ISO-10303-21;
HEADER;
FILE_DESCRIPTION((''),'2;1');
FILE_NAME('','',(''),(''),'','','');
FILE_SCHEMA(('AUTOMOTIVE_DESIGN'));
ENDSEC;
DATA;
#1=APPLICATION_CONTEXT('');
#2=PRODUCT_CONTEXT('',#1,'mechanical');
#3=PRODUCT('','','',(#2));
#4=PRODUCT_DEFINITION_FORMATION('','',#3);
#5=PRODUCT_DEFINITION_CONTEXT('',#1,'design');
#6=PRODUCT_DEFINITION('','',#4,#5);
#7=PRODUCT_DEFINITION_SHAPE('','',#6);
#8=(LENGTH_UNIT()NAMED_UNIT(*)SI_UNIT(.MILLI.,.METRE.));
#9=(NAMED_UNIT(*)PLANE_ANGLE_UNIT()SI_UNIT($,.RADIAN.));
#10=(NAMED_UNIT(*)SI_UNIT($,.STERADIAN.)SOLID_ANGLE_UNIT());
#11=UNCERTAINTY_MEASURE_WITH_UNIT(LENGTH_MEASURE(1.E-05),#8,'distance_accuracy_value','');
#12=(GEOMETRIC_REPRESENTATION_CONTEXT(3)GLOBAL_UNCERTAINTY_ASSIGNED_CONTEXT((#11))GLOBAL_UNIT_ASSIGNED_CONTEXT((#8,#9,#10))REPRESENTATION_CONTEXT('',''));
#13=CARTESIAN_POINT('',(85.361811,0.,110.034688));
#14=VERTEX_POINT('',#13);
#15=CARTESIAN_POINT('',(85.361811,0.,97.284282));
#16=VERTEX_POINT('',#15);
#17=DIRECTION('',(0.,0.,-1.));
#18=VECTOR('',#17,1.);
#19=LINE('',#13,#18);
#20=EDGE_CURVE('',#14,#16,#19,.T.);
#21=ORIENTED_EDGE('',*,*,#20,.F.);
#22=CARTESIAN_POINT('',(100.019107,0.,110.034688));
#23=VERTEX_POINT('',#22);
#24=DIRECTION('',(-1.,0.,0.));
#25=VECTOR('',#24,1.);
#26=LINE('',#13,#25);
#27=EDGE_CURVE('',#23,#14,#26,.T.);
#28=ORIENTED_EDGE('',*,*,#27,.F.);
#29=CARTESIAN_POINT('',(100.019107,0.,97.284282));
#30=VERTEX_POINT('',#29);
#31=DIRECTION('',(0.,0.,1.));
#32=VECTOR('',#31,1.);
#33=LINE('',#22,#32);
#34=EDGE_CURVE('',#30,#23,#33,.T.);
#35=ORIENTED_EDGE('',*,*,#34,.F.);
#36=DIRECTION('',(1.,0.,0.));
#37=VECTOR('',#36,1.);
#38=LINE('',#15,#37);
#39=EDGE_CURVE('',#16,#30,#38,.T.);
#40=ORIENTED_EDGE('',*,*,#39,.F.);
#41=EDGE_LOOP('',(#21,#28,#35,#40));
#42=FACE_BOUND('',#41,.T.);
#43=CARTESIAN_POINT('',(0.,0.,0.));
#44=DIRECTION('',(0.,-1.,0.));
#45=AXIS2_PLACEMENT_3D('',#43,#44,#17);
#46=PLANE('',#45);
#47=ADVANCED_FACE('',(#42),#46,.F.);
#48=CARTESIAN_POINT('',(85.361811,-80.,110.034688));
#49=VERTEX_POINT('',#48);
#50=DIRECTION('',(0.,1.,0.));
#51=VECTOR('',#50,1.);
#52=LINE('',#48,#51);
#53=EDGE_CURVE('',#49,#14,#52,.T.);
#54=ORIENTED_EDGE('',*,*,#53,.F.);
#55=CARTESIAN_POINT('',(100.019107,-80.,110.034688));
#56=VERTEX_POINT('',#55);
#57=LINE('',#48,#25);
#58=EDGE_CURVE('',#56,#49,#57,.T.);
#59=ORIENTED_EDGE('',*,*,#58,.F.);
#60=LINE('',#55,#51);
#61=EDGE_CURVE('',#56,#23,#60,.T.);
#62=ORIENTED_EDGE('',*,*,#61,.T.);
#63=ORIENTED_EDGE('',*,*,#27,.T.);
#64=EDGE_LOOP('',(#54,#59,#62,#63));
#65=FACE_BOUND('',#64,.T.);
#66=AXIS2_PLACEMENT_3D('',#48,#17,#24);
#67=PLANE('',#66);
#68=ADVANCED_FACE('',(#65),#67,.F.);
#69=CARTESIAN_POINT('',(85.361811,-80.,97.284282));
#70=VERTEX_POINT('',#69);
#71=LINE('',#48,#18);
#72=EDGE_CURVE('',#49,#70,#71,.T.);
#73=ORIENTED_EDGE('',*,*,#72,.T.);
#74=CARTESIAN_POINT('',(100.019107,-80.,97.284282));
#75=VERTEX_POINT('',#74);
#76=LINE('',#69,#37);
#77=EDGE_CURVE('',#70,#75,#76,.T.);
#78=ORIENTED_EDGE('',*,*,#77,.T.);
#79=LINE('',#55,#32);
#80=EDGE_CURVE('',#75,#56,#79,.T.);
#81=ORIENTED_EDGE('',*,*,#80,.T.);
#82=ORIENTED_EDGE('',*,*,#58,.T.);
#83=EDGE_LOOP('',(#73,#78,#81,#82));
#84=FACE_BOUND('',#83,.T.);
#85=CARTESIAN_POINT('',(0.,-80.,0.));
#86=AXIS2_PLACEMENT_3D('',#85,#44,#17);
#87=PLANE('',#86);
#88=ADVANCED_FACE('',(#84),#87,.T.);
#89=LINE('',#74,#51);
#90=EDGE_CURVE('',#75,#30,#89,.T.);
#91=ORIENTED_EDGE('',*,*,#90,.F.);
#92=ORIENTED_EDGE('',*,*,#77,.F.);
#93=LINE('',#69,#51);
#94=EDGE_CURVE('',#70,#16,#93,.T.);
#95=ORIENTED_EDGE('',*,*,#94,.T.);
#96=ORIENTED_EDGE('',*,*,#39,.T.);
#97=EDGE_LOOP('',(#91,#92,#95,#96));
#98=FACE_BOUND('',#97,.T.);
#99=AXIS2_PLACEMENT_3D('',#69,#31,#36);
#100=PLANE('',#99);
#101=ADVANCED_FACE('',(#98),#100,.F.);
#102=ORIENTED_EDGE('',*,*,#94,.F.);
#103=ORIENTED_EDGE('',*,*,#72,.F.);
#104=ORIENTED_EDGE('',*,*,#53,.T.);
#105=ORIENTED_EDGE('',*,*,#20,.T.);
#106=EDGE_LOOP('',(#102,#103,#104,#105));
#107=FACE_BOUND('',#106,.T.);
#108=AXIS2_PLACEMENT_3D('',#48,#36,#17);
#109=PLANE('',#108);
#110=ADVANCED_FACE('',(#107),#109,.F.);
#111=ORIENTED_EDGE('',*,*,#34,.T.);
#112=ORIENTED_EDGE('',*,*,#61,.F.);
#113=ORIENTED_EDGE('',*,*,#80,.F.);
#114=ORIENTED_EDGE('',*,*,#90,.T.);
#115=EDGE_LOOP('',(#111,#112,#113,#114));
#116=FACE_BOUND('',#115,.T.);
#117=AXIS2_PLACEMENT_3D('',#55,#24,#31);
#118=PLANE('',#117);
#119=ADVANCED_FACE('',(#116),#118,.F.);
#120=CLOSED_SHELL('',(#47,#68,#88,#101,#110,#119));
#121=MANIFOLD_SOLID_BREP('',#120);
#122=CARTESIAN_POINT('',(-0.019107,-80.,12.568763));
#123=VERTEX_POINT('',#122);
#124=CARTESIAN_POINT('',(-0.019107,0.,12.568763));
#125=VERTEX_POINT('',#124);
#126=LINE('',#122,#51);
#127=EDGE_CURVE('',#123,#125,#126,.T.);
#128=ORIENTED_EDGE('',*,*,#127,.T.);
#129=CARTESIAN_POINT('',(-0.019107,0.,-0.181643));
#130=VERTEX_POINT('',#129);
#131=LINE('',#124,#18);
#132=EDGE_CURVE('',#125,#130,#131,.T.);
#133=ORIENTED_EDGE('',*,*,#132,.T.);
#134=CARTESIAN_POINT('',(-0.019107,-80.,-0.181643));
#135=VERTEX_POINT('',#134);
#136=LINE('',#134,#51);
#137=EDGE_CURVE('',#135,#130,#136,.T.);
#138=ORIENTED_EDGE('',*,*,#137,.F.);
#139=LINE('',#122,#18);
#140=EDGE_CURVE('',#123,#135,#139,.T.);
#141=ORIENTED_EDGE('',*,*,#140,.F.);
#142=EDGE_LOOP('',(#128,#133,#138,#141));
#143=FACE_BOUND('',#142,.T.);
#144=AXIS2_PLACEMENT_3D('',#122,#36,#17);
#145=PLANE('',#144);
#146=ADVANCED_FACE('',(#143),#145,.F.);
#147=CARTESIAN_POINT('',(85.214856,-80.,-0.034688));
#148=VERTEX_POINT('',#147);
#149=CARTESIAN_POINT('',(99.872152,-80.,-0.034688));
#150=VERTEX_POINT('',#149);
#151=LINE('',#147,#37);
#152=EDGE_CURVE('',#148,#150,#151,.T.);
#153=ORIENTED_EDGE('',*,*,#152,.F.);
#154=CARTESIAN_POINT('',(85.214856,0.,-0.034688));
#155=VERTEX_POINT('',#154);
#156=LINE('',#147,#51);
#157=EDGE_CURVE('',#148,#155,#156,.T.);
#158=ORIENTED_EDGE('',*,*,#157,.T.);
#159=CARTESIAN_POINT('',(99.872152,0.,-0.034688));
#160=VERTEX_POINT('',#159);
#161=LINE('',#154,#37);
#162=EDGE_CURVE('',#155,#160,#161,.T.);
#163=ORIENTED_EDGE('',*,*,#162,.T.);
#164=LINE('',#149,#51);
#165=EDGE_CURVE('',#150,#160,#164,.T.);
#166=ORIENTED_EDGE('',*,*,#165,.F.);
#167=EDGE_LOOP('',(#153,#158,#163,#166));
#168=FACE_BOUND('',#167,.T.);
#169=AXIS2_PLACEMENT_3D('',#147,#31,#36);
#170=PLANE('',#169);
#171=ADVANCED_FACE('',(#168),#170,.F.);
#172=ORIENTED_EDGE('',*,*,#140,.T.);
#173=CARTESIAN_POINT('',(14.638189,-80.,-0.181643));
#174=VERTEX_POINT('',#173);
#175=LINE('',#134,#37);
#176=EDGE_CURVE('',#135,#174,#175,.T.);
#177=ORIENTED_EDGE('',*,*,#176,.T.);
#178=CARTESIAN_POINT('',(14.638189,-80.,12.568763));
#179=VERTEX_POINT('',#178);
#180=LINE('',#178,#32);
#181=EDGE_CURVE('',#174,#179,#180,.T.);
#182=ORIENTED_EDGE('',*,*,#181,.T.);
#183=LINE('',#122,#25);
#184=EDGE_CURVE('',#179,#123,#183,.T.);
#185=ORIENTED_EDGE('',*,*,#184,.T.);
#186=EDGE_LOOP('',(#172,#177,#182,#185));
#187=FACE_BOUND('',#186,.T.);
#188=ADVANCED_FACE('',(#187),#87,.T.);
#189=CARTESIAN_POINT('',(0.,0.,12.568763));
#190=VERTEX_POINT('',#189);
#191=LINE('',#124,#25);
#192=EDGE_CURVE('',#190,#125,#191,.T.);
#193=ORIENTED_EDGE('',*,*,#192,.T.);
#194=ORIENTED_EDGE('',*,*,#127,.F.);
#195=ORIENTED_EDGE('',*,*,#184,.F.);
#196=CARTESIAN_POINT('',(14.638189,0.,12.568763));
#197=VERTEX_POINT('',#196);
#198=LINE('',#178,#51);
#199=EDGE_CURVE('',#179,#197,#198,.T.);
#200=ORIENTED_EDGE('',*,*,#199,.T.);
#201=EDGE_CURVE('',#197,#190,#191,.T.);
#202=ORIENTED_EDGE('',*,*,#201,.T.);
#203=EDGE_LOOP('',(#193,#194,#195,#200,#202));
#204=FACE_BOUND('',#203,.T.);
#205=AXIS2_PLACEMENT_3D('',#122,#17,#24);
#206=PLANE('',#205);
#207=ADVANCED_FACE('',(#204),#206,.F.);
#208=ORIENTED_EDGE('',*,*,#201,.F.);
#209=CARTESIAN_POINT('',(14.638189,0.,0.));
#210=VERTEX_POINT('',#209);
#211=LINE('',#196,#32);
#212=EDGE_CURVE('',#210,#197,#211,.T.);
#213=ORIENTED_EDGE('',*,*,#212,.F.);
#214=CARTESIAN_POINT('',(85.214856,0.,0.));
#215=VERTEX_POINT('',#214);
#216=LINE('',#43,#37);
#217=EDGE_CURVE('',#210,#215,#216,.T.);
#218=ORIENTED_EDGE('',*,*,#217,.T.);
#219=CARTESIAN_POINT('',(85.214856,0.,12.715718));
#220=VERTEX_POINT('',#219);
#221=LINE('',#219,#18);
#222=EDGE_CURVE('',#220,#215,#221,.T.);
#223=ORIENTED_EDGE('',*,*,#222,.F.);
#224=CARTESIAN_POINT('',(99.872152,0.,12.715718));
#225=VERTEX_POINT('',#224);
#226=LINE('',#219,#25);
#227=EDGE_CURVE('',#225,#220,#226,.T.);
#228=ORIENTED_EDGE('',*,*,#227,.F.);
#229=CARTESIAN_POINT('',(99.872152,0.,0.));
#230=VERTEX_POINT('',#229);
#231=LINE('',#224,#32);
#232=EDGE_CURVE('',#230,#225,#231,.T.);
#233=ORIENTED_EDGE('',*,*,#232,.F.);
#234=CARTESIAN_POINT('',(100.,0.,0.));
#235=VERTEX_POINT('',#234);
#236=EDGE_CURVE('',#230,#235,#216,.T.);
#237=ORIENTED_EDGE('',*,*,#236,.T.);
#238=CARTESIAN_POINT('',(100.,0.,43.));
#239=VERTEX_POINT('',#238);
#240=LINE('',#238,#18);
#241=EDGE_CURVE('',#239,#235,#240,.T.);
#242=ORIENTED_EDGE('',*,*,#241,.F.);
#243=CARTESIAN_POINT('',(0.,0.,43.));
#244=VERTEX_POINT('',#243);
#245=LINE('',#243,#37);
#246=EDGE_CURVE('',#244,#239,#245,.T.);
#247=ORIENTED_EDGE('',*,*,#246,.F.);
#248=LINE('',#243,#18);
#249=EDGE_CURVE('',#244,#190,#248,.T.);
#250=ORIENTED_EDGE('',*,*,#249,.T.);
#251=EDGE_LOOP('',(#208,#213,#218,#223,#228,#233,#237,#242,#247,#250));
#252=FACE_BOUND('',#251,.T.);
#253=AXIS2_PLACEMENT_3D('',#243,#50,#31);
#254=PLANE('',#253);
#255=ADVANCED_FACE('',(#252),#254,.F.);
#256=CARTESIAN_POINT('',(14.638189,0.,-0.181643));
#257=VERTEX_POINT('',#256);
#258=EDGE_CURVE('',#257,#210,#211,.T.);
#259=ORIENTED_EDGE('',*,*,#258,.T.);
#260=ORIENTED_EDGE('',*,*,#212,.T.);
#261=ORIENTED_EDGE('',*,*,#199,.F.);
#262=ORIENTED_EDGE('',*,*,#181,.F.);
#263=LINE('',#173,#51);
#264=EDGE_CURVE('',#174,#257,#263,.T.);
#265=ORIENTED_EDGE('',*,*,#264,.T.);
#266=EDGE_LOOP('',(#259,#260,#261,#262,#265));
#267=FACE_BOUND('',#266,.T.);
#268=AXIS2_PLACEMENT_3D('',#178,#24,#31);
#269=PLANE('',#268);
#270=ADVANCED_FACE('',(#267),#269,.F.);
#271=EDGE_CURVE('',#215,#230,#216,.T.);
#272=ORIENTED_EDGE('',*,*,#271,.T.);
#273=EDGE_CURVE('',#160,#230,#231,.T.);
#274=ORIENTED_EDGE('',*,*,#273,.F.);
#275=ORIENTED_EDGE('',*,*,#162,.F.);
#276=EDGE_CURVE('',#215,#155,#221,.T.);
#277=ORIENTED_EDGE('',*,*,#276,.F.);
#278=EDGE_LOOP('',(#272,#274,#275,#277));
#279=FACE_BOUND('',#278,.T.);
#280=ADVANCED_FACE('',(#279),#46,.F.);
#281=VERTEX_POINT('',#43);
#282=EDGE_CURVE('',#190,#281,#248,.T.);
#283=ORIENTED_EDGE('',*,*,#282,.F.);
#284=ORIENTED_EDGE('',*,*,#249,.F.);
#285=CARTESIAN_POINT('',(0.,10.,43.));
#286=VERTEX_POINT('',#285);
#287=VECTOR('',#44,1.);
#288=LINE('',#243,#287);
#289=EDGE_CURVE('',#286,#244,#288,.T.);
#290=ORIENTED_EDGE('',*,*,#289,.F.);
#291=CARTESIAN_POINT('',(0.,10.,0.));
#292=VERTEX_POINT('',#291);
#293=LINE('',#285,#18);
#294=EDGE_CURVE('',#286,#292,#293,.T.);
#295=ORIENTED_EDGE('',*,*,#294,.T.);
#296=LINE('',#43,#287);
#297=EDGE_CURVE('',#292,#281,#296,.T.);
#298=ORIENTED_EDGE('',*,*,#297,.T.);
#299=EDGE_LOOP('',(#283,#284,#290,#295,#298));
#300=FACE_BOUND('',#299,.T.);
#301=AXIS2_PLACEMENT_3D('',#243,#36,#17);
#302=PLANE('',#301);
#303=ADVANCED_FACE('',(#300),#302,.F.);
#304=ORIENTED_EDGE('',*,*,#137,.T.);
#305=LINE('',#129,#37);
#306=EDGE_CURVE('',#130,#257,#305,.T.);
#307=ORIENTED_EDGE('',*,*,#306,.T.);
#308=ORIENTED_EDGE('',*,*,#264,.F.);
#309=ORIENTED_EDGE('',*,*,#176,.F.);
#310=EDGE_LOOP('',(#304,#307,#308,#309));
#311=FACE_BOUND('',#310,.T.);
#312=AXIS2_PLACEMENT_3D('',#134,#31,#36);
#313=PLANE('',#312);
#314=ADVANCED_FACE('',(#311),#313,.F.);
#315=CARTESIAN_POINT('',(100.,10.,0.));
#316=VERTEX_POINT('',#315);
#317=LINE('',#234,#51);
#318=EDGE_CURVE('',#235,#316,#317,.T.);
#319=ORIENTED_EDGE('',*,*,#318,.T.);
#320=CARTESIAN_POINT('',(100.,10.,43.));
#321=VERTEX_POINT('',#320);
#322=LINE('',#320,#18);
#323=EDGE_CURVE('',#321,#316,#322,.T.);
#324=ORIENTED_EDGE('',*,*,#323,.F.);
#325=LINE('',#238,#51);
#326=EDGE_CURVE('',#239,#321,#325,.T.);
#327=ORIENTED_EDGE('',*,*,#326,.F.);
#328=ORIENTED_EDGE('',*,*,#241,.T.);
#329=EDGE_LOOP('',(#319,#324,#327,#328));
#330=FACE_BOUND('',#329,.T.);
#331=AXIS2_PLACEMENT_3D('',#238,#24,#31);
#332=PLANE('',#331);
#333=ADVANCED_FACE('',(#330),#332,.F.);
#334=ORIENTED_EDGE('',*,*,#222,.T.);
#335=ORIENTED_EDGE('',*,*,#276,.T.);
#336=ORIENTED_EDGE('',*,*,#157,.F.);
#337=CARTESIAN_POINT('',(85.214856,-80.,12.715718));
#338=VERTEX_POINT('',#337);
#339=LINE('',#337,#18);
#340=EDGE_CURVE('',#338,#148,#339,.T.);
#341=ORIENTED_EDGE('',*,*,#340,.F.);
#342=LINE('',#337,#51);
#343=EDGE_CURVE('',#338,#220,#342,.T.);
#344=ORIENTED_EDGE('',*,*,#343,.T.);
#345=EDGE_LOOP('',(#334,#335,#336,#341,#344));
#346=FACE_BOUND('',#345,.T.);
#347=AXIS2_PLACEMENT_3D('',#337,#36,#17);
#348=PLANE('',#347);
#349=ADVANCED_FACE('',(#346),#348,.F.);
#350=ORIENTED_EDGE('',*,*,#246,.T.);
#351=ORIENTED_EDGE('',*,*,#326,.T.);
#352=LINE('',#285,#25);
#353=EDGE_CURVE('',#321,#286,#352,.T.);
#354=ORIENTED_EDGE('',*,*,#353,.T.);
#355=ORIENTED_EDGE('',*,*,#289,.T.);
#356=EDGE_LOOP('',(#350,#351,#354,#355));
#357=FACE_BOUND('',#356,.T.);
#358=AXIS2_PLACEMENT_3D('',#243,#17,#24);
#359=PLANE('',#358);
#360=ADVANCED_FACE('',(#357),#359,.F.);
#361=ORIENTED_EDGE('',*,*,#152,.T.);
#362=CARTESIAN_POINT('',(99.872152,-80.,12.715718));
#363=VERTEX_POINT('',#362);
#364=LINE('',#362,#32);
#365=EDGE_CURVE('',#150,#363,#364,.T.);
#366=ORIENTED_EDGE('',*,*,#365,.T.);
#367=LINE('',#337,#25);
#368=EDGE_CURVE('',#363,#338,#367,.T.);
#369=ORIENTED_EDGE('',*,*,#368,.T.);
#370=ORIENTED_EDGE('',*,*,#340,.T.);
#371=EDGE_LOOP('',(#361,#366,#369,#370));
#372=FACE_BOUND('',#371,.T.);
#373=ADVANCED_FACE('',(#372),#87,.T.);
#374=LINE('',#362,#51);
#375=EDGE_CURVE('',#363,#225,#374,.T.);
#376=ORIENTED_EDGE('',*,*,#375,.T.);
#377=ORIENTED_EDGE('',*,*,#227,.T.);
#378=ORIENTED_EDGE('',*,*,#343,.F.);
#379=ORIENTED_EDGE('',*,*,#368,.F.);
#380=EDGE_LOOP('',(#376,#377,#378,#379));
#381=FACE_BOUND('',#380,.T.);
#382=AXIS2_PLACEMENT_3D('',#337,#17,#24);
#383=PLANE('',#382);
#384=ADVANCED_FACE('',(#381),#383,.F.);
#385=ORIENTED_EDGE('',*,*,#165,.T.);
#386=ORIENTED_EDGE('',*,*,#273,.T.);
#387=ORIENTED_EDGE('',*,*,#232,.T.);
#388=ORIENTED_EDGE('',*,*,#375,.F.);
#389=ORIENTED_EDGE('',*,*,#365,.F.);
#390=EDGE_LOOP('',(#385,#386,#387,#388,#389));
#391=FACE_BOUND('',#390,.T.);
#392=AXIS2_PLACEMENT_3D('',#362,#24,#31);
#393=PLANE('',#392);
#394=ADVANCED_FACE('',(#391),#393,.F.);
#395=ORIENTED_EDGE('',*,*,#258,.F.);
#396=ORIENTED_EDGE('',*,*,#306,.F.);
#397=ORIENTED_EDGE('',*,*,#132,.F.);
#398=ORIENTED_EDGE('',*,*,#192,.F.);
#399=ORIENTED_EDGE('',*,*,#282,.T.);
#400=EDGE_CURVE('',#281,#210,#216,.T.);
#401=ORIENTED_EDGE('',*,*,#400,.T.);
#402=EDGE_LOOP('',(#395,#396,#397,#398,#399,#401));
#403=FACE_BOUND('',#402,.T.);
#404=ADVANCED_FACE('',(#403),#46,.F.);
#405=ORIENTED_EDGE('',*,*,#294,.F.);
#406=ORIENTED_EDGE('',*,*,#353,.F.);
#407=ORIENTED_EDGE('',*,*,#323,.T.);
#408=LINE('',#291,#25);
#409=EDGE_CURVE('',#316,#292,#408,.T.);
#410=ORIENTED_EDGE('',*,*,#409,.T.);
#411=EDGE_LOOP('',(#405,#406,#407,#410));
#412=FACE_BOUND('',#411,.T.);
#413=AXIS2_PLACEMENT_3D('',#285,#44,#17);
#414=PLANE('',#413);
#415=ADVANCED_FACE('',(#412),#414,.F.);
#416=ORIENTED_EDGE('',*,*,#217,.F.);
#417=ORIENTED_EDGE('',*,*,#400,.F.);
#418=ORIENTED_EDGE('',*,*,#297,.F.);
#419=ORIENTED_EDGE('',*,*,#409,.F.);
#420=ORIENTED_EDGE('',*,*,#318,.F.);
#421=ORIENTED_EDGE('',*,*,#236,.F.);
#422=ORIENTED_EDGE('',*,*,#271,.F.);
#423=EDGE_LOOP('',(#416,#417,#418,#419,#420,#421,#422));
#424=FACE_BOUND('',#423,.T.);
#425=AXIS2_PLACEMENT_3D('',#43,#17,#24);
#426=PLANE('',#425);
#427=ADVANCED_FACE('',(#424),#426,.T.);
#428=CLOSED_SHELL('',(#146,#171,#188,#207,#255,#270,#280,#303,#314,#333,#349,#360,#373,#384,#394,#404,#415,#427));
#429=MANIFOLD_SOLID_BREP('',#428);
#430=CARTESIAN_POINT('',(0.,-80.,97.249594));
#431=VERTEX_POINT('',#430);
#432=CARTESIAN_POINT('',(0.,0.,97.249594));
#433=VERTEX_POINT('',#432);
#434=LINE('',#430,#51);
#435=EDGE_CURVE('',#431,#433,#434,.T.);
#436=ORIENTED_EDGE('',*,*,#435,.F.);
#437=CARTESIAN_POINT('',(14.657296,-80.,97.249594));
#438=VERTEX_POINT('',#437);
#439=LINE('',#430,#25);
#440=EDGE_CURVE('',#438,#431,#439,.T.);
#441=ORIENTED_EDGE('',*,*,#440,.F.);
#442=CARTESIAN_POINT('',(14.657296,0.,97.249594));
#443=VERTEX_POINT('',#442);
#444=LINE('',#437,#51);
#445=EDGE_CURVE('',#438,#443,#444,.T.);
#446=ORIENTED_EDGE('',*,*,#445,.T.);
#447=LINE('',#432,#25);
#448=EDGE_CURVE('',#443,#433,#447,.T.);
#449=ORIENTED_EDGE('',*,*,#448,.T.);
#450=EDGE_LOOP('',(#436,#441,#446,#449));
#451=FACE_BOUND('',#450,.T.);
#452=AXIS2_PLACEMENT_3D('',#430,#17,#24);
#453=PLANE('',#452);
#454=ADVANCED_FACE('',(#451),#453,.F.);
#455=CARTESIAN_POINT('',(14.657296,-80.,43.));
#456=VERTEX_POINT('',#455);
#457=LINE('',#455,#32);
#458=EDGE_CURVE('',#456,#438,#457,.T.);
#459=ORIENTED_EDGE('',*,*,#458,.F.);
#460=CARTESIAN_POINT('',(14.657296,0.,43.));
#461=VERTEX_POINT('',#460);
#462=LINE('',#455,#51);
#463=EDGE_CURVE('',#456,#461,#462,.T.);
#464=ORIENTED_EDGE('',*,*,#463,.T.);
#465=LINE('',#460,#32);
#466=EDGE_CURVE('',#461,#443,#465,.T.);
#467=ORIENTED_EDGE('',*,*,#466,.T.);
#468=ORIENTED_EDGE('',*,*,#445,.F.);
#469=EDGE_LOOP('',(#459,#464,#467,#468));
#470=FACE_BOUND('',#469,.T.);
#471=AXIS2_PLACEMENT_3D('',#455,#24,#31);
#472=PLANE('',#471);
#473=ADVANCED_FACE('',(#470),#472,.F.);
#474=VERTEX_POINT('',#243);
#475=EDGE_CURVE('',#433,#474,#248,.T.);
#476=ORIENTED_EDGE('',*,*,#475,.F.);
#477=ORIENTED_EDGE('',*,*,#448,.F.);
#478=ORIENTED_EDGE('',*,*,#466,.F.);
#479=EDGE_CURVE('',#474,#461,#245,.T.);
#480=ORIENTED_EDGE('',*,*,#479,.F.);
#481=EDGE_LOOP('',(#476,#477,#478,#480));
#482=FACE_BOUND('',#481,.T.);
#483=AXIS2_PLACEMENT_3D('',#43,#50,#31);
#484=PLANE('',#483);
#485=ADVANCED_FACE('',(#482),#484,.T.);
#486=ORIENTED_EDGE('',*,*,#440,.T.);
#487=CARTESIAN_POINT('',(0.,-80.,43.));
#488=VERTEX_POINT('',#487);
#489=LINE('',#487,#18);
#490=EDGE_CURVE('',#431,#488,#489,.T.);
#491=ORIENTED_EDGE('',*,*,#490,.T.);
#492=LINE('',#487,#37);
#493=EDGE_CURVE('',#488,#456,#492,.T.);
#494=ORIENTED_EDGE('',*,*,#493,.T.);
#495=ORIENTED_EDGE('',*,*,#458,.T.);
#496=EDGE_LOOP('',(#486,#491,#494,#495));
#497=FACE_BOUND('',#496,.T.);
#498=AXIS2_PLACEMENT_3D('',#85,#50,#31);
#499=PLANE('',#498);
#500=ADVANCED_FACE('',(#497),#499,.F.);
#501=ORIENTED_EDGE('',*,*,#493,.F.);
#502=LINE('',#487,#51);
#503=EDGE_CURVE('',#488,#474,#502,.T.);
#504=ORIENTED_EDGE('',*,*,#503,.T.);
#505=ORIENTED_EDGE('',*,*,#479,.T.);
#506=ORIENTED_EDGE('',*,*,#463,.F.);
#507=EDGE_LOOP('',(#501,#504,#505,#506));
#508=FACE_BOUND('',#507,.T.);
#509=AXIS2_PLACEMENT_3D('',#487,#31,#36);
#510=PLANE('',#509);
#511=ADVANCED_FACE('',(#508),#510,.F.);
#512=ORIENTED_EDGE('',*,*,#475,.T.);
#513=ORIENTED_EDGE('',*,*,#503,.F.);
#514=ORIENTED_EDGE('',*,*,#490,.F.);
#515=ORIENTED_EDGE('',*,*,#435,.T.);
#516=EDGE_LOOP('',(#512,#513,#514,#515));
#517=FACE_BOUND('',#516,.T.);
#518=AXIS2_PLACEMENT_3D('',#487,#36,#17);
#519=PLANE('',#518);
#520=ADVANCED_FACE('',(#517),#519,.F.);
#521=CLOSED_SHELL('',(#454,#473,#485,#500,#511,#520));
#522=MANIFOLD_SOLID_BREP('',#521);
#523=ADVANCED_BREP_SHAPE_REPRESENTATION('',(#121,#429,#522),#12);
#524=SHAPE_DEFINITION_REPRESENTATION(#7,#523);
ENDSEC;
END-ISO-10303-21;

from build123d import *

# Parameters (mm, degrees)
SKETCH1_W           = 100
SKETCH1_H           = 10
BOSS_EXTRUDE1_DEPTH = 43
SKETCH2_W           = 14.657296337
SKETCH2_H           = 12.750406224
SKETCH2_H_2         = 54.249593776
SKETCH2_W_2         = 14.657296336
BOSS_EXTRUDE2_DEPTH = 80


with BuildPart() as part:
    # Sketch1 → Boss-Extrude1 (new body)
    with BuildSketch(Plane.XY):
        with Locations((50, 5)):
            Rectangle(SKETCH1_W, SKETCH1_H)
    extrude(amount=BOSS_EXTRUDE1_DEPTH)

    # Sketch2 → Boss-Extrude2 (add)
    with BuildSketch(Plane.XZ):
        with Locations((92.690459103, 103.659485129)):
            Rectangle(SKETCH2_W, SKETCH2_H)
        with Locations((7.328648169, 70.124796888)):
            Rectangle(SKETCH2_W, SKETCH2_H_2)
        with Locations((7.309540898, 6.193559762)):
            Rectangle(SKETCH2_W, SKETCH2_H)
        with Locations((92.543503994, 6.340514871)):
            Rectangle(SKETCH2_W_2, SKETCH2_H)
    extrude(amount=BOSS_EXTRUDE2_DEPTH)


with BuildPart() as boss_extrude2_piece_1:
    # of the separate pieces the step leaves, piece 1, a body of its own (boss_extrude2_pieces)
    add(part.part.solids().sort_by_distance((0, 0, 12.568762874))[0])


with BuildPart() as boss_extrude2_piece_2:
    # of the separate pieces the step leaves, piece 2, a body of its own (boss_extrude2_pieces)
    add(part.part.solids().sort_by_distance((0, -80, 43))[0])


with BuildPart() as boss_extrude2_piece_3:
    # of the separate pieces the step leaves, piece 3, a body of its own (boss_extrude2_pieces)
    add(part.part.solids().sort_by_distance((85.361810934, 0, 110.034688241))[0])


solid = Compound([boss_extrude2_piece_1.part, boss_extrude2_piece_2.part, boss_extrude2_piece_3.part])
